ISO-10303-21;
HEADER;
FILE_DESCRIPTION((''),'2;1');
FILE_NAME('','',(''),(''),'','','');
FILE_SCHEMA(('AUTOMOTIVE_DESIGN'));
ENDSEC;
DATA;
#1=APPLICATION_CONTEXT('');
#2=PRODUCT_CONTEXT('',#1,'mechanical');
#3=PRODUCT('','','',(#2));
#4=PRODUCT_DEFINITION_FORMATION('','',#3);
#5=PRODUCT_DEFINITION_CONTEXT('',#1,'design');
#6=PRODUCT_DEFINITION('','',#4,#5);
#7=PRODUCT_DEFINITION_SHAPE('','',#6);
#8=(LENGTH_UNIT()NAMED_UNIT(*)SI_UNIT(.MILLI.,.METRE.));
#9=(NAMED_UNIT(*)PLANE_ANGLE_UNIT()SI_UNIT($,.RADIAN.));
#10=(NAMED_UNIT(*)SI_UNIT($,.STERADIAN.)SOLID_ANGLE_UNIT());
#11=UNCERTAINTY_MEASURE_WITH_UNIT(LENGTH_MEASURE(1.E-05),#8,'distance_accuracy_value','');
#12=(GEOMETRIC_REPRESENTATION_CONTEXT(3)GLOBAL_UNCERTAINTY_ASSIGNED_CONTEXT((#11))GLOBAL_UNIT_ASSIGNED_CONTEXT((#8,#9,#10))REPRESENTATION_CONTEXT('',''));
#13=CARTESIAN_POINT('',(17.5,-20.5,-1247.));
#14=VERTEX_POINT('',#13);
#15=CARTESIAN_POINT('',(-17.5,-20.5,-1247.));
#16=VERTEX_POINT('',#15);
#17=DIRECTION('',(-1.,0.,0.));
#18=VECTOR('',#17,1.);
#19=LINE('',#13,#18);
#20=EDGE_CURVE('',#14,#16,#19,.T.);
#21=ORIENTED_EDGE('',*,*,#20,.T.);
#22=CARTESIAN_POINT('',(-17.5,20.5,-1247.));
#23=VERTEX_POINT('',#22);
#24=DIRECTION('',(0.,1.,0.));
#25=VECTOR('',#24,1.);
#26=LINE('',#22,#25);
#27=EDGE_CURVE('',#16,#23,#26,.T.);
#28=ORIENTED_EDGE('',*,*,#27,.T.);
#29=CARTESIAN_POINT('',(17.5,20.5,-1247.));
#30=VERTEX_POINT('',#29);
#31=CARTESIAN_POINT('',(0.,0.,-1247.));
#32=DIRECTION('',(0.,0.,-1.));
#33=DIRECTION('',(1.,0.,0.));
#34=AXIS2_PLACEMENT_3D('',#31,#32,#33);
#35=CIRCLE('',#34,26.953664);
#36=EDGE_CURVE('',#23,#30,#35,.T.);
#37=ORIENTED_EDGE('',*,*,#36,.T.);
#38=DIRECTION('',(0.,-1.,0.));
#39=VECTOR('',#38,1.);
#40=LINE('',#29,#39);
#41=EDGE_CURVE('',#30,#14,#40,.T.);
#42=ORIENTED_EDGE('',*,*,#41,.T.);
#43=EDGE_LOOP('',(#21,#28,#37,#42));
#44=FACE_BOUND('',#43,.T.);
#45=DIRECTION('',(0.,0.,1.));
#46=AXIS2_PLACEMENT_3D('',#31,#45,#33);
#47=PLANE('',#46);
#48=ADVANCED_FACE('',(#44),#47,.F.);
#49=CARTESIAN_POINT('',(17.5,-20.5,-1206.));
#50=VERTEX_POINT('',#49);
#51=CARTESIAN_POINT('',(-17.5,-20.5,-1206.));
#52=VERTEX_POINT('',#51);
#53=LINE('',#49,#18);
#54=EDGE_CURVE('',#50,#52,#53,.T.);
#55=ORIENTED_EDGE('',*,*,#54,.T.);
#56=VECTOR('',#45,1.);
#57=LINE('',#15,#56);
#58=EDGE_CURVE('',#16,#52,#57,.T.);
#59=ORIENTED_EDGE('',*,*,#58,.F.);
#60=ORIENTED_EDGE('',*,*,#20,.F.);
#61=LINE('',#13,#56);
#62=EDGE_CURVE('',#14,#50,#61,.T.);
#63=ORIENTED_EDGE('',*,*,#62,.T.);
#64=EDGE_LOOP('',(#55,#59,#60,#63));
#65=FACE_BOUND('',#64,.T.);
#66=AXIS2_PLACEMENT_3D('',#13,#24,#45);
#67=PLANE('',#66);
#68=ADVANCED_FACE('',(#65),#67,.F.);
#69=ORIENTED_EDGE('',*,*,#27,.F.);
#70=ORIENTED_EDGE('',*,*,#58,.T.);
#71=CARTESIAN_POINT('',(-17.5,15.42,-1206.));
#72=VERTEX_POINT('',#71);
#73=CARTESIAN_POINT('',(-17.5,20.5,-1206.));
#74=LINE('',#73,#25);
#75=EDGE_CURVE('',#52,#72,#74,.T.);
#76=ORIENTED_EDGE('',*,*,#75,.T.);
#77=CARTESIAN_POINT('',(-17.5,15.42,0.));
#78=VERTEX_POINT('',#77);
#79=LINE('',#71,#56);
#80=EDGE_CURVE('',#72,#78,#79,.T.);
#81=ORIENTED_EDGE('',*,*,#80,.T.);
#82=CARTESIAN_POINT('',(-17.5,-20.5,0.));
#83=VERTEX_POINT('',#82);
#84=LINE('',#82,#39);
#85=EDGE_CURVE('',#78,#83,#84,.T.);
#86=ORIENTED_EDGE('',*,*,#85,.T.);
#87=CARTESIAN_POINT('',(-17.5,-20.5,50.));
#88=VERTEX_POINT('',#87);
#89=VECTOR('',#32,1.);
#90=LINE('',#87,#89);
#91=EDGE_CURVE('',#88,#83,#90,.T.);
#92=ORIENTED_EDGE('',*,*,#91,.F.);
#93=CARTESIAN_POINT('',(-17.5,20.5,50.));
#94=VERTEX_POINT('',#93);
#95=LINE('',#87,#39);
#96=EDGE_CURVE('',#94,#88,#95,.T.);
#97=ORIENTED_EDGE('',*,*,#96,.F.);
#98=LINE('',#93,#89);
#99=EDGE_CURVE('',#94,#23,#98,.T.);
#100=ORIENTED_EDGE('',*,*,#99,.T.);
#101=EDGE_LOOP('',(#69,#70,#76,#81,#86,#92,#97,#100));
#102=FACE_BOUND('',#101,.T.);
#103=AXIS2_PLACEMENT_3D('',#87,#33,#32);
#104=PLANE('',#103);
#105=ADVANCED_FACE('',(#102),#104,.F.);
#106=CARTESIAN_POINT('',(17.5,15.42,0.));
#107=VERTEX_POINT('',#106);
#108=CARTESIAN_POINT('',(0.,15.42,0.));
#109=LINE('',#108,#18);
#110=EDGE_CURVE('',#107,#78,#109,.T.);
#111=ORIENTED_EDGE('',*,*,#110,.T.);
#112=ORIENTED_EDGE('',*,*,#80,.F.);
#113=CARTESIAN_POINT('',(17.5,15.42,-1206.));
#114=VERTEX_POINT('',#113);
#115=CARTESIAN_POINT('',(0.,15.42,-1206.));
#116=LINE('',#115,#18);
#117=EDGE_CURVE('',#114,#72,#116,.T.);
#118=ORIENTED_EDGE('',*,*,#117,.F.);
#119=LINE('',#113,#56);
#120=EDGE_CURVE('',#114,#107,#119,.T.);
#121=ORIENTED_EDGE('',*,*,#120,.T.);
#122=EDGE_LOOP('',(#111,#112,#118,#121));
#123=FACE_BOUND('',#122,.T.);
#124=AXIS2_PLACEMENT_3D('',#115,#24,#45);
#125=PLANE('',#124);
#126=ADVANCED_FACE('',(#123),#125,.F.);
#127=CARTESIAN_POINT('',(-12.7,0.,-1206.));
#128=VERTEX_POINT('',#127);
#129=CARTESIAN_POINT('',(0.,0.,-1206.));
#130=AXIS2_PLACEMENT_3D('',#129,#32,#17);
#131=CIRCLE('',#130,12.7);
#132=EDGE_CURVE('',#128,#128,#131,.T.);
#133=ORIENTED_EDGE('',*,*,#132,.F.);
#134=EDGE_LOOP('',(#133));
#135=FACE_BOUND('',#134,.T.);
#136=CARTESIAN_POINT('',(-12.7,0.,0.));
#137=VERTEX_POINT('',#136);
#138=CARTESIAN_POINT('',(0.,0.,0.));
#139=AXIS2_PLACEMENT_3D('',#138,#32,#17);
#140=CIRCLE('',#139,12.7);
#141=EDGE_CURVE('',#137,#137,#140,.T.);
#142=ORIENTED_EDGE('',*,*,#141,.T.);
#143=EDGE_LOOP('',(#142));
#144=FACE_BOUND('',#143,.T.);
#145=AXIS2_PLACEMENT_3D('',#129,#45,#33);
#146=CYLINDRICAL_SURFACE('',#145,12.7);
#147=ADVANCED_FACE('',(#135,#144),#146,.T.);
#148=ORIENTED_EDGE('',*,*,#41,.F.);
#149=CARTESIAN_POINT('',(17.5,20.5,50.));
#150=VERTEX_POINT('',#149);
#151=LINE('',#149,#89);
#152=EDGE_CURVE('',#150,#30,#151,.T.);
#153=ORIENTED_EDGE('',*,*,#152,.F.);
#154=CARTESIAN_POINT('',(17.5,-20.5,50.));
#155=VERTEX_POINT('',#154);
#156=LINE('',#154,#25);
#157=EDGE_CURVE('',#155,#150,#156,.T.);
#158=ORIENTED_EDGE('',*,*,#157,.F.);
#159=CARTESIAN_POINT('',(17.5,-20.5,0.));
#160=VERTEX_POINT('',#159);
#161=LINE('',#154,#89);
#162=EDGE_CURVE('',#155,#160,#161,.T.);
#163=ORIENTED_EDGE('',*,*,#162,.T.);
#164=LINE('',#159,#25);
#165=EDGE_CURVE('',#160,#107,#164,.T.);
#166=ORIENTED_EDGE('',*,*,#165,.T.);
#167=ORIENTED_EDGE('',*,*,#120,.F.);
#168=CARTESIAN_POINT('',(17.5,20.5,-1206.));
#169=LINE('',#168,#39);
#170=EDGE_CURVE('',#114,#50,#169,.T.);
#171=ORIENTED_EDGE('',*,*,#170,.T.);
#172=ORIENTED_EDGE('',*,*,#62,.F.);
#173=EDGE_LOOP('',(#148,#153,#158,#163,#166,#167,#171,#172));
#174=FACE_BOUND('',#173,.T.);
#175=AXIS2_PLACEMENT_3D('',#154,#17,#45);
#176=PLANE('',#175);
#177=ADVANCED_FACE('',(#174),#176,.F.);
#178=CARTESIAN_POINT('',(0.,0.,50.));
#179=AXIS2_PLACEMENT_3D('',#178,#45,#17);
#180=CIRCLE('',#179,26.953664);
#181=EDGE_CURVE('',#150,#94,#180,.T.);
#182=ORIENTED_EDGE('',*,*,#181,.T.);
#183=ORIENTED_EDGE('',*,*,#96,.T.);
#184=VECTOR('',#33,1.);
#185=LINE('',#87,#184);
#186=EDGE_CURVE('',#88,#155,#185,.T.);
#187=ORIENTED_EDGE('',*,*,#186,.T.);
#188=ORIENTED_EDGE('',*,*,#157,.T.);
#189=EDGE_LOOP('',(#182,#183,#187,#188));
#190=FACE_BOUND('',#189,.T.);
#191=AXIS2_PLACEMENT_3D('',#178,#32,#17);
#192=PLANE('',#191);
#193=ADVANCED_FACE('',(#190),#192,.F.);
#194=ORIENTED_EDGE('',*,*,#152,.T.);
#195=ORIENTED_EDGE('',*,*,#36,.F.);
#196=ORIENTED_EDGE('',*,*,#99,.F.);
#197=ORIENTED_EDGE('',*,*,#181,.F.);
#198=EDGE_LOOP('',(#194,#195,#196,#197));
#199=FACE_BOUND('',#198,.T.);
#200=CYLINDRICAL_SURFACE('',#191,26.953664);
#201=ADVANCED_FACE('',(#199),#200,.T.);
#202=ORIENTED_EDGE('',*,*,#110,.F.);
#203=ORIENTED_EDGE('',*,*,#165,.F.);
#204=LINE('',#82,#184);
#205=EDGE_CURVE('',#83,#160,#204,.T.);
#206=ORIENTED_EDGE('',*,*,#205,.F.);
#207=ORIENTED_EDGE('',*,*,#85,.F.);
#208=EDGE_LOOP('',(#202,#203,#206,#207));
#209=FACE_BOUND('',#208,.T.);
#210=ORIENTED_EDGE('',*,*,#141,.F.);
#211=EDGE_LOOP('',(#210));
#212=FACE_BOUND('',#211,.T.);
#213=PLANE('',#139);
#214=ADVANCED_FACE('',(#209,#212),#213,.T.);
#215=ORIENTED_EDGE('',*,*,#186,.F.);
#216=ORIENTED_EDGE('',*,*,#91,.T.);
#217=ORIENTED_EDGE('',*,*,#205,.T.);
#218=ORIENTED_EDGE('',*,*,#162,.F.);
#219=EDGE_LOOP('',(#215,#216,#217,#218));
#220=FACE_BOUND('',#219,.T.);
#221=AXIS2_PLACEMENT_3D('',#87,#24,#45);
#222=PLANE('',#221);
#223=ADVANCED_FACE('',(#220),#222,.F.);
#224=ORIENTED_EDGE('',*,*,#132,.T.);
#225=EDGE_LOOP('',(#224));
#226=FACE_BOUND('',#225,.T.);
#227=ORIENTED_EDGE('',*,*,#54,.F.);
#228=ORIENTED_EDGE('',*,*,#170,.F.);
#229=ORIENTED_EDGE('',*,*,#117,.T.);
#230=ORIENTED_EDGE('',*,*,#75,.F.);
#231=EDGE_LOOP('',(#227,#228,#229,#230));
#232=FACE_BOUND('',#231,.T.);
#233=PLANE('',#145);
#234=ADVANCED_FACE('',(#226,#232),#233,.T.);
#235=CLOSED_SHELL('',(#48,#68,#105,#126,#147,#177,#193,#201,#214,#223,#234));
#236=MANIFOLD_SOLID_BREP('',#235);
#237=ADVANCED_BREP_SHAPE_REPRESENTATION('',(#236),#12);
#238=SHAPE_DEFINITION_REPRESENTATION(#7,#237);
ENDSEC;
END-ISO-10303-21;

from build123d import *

# Parameters (mm, degrees)
BOSS_EXTRUDE1_DEPTH = 50
BOSS_EXTRUDE2_START = 1206
SKETCH3_R           = 12.7
BOSS_EXTRUDE2_DEPTH = 1206
BOSS_EXTRUDE3_START = 41
BOSS_EXTRUDE3_DEPTH = 41


with BuildPart() as part:
    # Sketch2 → Boss-Extrude1 (new body)
    with BuildSketch(Plane.XY):
        with BuildLine():
            Line((-17.5, -20.5), (17.5, -20.5))
            Line((17.5, -20.5), (17.5, 20.5))
            ThreePointArc((17.5, 20.5), (0, 26.953663944), (-17.5, 20.5))
            Line((-17.5, 20.5), (-17.5, -20.5))
        make_face()
    extrude(amount=BOSS_EXTRUDE1_DEPTH)

    # Sketch3 → Boss-Extrude2 (add)
    with BuildSketch(Plane(origin=(0, 0, 0), x_dir=(-1, 0, 0), z_dir=(0, 0, -1)).offset(BOSS_EXTRUDE2_START)):
        Circle(SKETCH3_R)
        with BuildLine():
            ThreePointArc((17.5, 20.5), (0, 26.953663944), (-17.5, 20.5))
            Line((-17.5, 20.5), (-17.5, 15.42))
            Line((-17.5, 15.42), (17.5, 15.42))
            Line((17.5, 15.42), (17.5, 20.5))
        make_face()
    extrude(amount=-BOSS_EXTRUDE2_DEPTH)

    # Sketch4 → Boss-Extrude3 (add)
    with BuildSketch(Plane(origin=(0, 0, -1206), x_dir=(-1, 0, 0), z_dir=(0, 0, -1)).offset(BOSS_EXTRUDE3_START)):
        with BuildLine():
            Line((-17.5, 20.5), (-17.5, -20.5))
            Line((-17.5, -20.5), (17.5, -20.5))
            Line((17.5, -20.5), (17.5, 20.5))
            ThreePointArc((17.5, 20.5), (0, 26.953663944), (-17.5, 20.5))
        make_face()
    extrude(amount=-BOSS_EXTRUDE3_DEPTH)


solid = part.part
